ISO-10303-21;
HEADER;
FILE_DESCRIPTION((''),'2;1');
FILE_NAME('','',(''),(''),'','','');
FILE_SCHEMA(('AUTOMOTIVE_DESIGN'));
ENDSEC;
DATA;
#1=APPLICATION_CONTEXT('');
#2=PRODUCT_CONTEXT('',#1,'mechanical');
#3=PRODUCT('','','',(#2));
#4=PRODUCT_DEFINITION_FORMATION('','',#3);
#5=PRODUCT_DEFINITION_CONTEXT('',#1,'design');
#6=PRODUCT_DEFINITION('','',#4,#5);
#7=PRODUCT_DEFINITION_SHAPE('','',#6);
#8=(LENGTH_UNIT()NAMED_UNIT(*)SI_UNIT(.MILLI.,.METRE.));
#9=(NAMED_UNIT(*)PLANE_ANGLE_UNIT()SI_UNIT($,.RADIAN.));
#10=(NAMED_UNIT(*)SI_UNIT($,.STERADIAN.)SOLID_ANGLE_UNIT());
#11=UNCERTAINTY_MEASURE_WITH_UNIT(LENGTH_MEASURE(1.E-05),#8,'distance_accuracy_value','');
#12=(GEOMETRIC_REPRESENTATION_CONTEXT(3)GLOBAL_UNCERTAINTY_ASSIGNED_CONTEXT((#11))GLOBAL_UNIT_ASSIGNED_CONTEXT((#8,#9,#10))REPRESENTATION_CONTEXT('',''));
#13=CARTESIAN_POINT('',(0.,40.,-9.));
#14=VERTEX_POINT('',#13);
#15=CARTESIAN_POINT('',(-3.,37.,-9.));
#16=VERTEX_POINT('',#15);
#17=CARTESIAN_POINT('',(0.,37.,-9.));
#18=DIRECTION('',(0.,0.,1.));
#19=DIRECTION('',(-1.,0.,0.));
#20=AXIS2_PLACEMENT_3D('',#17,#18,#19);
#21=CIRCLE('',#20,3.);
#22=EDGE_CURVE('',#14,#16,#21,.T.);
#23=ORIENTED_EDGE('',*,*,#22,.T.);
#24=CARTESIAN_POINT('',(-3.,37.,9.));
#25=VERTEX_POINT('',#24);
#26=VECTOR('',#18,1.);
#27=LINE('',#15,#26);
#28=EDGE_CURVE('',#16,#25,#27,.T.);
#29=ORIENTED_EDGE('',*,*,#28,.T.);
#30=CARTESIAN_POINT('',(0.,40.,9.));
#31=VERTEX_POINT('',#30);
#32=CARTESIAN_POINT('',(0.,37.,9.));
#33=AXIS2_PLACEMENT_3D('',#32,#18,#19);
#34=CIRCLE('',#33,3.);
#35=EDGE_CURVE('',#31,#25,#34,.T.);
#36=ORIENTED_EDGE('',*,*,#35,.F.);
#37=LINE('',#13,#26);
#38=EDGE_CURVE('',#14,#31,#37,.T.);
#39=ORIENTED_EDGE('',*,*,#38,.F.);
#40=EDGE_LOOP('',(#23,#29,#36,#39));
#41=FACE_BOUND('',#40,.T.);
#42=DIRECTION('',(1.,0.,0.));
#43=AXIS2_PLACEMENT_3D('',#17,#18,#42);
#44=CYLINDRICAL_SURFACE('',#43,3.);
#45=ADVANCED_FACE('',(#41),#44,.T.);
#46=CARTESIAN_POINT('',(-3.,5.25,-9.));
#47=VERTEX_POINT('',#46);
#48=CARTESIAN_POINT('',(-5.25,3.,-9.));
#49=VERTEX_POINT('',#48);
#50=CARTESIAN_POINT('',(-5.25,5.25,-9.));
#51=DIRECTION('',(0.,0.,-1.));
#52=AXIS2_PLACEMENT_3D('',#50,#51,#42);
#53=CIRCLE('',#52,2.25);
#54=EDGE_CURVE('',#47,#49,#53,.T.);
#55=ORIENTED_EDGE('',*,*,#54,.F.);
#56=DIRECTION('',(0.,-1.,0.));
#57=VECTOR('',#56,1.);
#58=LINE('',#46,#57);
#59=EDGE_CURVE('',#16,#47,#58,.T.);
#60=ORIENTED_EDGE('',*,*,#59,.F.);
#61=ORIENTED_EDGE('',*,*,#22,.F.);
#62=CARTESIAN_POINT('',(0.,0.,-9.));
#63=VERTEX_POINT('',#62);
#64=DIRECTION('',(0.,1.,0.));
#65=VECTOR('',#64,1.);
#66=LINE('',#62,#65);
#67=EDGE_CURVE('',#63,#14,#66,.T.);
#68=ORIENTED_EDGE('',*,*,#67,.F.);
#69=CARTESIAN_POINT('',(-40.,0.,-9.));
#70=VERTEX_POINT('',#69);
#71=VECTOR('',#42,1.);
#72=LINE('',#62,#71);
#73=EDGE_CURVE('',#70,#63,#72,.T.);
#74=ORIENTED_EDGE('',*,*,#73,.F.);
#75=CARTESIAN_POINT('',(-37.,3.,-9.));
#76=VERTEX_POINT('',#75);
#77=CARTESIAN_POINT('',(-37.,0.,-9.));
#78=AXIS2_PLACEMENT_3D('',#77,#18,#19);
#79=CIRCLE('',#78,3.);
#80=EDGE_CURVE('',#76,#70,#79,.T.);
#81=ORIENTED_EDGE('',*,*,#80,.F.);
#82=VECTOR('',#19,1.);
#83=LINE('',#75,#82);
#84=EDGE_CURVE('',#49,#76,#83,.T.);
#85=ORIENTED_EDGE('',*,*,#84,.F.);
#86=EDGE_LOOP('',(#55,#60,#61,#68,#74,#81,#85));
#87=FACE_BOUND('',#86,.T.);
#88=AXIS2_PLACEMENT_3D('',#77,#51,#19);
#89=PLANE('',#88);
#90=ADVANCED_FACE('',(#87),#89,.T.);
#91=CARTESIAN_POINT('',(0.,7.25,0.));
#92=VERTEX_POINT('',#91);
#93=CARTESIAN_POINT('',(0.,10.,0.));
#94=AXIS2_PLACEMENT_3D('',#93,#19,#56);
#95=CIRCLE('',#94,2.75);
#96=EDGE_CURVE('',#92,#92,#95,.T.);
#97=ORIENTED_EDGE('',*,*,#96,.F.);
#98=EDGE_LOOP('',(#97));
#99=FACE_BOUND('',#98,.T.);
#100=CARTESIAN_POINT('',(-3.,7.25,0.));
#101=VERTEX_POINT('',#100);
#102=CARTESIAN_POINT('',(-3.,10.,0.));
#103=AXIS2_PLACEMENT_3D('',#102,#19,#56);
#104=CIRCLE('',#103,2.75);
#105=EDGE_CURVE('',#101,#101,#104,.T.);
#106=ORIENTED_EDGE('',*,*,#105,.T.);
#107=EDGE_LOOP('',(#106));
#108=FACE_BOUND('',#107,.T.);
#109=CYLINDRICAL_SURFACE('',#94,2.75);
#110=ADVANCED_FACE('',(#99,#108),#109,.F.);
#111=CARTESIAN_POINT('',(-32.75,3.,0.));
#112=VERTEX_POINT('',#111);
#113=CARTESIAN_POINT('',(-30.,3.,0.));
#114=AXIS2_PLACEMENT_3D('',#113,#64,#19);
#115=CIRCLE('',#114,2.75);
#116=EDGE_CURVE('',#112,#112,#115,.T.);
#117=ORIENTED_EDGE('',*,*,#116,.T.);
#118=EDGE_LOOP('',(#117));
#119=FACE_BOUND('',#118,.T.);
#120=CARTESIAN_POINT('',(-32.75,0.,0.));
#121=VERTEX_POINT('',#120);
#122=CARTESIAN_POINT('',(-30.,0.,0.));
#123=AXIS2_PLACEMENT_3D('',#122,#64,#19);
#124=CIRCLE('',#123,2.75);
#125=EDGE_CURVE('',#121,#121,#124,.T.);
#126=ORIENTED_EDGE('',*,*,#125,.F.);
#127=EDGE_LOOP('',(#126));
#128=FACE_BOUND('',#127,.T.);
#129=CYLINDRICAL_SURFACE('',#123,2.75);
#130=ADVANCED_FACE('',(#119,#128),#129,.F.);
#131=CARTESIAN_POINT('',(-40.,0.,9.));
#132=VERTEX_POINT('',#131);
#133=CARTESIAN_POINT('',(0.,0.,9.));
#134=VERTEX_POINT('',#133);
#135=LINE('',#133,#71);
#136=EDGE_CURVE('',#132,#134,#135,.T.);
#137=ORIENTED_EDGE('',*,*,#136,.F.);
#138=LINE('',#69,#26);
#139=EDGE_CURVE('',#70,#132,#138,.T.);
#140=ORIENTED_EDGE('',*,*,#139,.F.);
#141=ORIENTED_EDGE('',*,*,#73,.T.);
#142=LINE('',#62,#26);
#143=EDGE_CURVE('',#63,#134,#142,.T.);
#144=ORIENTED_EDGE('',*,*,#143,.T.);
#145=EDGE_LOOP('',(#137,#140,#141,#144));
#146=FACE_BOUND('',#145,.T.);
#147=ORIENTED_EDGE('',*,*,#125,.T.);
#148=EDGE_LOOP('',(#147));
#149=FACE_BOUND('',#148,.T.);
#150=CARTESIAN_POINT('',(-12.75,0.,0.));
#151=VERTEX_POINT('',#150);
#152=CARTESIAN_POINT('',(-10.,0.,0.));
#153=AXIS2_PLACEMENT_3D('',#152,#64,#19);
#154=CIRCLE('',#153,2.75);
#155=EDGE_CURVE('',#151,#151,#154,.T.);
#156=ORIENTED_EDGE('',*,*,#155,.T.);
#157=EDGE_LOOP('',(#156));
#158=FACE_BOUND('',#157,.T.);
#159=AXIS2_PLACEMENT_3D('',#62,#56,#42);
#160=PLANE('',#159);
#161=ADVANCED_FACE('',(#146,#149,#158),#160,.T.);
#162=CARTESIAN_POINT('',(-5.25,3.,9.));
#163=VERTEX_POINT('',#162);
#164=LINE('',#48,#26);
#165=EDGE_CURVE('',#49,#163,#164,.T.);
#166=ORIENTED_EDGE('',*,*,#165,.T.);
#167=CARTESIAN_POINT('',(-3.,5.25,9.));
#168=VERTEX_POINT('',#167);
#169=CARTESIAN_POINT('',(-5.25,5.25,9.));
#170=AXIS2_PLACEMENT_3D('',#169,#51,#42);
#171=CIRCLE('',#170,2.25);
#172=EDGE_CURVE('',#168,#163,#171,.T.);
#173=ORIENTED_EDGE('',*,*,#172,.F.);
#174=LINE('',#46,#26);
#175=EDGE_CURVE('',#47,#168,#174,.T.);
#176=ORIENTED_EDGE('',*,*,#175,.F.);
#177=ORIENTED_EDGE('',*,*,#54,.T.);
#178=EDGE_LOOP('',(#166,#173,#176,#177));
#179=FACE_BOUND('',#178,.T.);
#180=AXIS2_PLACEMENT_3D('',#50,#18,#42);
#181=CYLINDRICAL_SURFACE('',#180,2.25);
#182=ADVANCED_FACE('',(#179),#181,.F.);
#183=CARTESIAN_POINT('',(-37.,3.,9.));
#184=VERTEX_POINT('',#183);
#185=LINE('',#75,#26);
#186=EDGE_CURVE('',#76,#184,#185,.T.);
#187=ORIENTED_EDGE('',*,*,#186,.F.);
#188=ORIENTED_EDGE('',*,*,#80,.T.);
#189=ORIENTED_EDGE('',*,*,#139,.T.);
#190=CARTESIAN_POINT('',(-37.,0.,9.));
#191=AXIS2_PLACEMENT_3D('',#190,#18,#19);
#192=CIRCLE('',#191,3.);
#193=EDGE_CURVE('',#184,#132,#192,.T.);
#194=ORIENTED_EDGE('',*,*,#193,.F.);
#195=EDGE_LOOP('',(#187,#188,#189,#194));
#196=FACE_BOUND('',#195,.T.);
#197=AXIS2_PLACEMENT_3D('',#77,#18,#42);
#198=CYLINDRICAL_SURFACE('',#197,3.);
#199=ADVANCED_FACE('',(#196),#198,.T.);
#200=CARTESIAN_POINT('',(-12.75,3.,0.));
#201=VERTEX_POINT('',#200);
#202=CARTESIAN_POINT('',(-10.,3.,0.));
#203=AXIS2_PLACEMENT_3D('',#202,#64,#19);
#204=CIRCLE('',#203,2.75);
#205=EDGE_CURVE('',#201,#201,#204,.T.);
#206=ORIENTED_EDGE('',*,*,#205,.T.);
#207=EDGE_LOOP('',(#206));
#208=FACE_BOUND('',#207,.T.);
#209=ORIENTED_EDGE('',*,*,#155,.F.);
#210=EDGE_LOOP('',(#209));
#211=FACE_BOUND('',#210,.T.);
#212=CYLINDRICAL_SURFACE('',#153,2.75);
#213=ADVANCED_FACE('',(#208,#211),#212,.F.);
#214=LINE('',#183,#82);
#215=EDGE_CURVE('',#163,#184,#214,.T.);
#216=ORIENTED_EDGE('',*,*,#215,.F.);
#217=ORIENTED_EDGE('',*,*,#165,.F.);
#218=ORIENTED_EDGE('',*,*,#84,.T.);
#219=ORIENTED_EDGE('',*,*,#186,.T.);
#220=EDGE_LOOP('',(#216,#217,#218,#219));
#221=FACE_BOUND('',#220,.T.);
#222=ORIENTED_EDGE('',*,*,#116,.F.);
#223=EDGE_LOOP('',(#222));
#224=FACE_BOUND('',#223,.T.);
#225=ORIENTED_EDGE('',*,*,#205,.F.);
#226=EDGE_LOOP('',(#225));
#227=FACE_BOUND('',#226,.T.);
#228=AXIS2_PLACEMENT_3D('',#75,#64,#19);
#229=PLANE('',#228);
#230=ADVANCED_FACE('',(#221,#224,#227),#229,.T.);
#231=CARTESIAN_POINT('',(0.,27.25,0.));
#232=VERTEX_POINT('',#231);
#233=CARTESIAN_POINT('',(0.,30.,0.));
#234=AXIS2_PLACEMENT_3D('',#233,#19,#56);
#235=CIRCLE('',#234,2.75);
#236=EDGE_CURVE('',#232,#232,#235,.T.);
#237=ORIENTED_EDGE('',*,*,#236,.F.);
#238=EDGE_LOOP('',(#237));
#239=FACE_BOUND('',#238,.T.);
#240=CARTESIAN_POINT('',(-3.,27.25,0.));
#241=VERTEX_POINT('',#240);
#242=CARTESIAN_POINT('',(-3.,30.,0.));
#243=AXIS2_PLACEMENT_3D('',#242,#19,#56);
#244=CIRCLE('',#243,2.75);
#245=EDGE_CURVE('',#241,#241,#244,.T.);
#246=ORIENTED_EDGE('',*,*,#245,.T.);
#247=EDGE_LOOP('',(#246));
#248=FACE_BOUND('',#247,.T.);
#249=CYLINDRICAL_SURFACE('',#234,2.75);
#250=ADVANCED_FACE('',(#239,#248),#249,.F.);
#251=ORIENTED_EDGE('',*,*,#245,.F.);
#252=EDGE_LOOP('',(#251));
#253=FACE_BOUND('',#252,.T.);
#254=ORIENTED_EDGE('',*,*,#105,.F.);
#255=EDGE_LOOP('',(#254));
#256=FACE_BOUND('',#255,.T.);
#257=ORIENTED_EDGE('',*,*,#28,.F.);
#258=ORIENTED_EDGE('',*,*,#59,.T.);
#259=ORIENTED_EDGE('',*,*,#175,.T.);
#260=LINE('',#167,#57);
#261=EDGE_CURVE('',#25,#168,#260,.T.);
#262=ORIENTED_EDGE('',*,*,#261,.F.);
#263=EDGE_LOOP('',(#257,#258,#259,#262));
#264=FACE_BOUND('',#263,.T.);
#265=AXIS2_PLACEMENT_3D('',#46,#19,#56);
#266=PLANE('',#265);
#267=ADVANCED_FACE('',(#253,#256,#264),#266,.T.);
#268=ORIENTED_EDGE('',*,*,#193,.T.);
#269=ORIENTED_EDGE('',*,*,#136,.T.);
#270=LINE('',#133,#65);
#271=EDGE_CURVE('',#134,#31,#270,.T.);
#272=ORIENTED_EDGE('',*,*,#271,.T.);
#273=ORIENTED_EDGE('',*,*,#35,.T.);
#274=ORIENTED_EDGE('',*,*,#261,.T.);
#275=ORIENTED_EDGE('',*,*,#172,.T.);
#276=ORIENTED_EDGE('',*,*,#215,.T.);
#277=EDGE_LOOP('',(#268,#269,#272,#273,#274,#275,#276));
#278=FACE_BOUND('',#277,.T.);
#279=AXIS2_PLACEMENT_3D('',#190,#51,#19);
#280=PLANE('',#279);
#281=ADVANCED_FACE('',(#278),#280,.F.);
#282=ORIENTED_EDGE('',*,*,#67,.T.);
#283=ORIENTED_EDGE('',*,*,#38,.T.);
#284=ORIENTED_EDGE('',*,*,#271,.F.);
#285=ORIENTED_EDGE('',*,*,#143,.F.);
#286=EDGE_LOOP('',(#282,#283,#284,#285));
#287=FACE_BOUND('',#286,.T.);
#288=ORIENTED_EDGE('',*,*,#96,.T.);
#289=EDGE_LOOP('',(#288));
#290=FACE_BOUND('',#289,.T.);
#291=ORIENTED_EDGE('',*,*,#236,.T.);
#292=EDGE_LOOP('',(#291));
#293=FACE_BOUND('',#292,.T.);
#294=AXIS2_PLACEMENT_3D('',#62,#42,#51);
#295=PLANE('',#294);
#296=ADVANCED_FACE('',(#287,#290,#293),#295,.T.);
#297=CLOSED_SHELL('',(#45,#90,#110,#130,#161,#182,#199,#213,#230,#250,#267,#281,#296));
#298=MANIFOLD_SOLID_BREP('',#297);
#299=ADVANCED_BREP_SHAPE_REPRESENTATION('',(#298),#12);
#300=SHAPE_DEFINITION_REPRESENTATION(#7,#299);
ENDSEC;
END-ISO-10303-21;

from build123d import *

# Parameters (mm, degrees)
EXTRUDE1_DEPTH     = 9
SKETCH4_R          = 2.75
CUT_EXTRUDE3_DEPTH = 56.226805086
SKETCH5_R          = 2.75
CUT_EXTRUDE4_DEPTH = 56.226805086


with BuildPart() as part:
    # Sketch1 → Extrude1 (new, symmetric)
    with BuildSketch(Plane.XY):
        with BuildLine():
            Line((0, 0), (0, 40))
            ThreePointArc((0, 40), (-2.121320344, 39.121320344), (-3, 37))
            Line((-3, 37), (-3, 5.25))
            ThreePointArc((-3, 5.25), (-3.659009742, 3.659009742), (-5.25, 3))
            Line((-5.25, 3), (-37, 3))
            ThreePointArc((-37, 3), (-39.121320344, 2.121320344), (-40, 0))
            Line((-40, 0), (0, 0))
        make_face()
    extrude(amount=EXTRUDE1_DEPTH, both=True)

    # Sketch4 → Cut-Extrude3 (cut, through all)
    with BuildSketch(Plane(origin=(0, 3, 0), x_dir=(1, 0, 0), z_dir=(0, 1, 0))):
        with Locations(Location((-10, 0, 0), (0, 0, 180))):
            Circle(SKETCH4_R)
        with Locations(Location((-30, 0, 0), (0, 0, 180))):
            Circle(SKETCH4_R)
    extrude(amount=-CUT_EXTRUDE3_DEPTH, mode=Mode.SUBTRACT)

    # Sketch5 → Cut-Extrude4 (cut, through all)
    with BuildSketch(Plane.ZY.offset(3)):
        with Locations(Location((0, 30, 0), (0, 0, 270))):
            Circle(SKETCH5_R)
        with Locations(Location((0, 10, 0), (0, 0, 270))):
            Circle(SKETCH5_R)
    extrude(amount=-CUT_EXTRUDE4_DEPTH, mode=Mode.SUBTRACT)


solid = part.part
